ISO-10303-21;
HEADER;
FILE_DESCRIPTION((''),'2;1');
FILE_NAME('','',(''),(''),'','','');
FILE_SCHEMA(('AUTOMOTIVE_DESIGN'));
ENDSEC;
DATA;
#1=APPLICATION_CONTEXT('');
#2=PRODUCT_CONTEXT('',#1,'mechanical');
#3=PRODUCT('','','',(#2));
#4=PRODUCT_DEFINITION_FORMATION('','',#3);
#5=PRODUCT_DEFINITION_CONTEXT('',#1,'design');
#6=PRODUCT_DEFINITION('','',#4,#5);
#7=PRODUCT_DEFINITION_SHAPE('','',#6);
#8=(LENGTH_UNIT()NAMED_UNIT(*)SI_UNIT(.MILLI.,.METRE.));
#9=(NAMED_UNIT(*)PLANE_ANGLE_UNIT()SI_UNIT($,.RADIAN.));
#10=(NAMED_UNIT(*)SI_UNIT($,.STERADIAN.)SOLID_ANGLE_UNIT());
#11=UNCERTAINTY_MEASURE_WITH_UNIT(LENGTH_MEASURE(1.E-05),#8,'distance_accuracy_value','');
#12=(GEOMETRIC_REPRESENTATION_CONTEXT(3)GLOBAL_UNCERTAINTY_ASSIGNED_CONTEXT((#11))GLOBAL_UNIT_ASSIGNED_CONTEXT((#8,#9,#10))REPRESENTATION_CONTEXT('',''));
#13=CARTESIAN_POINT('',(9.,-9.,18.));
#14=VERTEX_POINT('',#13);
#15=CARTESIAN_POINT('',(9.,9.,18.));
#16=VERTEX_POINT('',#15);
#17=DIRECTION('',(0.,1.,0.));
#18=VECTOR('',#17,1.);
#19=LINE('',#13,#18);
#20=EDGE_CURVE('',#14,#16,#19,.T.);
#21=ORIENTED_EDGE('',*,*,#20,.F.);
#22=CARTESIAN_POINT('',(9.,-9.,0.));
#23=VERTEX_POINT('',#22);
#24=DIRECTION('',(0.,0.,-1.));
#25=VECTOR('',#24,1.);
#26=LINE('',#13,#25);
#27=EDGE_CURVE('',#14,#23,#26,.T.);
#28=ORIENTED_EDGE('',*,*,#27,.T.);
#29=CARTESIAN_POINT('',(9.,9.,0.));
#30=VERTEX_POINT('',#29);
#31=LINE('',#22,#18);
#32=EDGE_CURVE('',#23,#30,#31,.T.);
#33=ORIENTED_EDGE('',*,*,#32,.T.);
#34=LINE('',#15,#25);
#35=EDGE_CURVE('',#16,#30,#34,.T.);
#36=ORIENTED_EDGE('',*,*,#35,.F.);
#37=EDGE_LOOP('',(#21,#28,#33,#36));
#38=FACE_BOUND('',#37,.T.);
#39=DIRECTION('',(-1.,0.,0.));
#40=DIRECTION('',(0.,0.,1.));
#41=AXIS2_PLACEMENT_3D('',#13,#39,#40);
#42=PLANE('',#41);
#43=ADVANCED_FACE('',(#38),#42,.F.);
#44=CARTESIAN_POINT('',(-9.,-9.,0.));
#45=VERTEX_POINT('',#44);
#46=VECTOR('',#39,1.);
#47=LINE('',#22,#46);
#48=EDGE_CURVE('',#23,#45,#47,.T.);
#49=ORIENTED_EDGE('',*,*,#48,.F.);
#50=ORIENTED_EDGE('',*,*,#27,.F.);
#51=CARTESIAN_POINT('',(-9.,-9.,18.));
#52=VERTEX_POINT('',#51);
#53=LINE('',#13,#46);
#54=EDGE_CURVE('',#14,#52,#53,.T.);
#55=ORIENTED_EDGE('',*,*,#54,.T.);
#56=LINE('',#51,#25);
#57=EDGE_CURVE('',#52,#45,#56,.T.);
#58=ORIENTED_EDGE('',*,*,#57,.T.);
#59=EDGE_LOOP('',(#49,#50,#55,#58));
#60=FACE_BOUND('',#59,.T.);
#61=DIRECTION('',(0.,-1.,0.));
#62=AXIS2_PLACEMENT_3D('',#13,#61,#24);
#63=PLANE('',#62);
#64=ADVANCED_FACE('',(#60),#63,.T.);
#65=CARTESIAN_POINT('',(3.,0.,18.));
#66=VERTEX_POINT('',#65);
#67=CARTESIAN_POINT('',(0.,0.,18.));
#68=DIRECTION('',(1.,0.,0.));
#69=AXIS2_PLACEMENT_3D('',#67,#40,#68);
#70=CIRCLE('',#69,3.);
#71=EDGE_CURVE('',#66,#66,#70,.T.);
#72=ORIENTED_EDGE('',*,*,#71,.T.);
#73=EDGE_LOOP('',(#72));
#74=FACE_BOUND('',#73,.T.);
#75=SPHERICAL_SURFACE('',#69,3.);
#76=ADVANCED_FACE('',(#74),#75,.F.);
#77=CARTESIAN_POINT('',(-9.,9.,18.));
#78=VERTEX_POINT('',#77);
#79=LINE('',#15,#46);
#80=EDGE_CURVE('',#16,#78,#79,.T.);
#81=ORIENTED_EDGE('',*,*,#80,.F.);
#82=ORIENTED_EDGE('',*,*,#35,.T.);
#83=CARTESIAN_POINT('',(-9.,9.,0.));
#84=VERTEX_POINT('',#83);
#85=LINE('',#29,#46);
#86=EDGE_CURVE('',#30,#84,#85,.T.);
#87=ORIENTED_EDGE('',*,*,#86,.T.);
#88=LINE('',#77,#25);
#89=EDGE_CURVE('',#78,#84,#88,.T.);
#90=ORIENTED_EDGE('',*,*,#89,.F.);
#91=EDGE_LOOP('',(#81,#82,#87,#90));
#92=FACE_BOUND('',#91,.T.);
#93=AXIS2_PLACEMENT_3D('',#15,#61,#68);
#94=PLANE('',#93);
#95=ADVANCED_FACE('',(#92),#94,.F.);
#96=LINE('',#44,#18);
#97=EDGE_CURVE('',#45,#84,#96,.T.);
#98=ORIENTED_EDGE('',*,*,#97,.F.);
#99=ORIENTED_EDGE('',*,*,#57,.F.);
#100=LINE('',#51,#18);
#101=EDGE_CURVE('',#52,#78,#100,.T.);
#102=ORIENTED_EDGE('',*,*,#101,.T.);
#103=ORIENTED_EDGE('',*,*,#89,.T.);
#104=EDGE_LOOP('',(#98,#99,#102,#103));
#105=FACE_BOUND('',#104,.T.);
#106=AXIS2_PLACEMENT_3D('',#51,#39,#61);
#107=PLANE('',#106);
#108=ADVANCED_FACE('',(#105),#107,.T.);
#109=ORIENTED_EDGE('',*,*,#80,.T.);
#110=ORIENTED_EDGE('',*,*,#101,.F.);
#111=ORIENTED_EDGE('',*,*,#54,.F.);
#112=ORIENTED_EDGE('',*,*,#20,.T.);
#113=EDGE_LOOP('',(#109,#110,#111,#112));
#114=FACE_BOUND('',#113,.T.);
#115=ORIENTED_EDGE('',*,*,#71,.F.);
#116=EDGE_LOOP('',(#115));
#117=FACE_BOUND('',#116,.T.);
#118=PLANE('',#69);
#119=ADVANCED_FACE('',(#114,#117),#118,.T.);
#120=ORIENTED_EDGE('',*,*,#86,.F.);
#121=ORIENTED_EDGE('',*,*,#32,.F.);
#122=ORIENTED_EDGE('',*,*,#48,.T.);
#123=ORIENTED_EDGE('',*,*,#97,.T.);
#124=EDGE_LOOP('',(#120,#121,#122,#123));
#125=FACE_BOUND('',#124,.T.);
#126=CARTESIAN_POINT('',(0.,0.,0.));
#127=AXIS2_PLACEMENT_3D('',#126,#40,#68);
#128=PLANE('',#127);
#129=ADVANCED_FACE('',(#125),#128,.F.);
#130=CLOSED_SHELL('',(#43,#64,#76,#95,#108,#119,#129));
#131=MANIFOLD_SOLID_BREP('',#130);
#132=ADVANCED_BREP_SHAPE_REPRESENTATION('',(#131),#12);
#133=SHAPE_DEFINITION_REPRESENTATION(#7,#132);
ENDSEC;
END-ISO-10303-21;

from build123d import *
from build123d.topology import SkipClean

# Parameters (mm, degrees)
SKETCH1_W           = 18
SKETCH1_H           = 18
BOSS_EXTRUDE1_DEPTH = 18


with BuildPart() as part:
    # Sketch1 → Boss-Extrude1 (new body)
    with BuildSketch(Plane.XY):
        Rectangle(SKETCH1_W, SKETCH1_H)
    extrude(amount=BOSS_EXTRUDE1_DEPTH)

    # Sketch2 → Cut-Revolve1 (revolve, cut)
    with SkipClean():  # the faces are left unmerged after this step: merging them gives an invalid solid
        with BuildSketch(Plane.XY.offset(18)):
            with BuildLine():
                ThreePointArc((3, 0), (2.121320344, 2.121320344), (0, 3))
                Line((0, 3), (0, -3))
                ThreePointArc((0, -3), (2.121320344, -2.121320344), (3, 0))
            make_face()
            with BuildLine():
                Line((0, -3), (0, 3))
                ThreePointArc((0, 3), (-3, 0), (0, -3))
            make_face()
        revolve(axis=Axis((0, 3, 18), (0, -1, 0)), mode=Mode.SUBTRACT)


solid = part.part
